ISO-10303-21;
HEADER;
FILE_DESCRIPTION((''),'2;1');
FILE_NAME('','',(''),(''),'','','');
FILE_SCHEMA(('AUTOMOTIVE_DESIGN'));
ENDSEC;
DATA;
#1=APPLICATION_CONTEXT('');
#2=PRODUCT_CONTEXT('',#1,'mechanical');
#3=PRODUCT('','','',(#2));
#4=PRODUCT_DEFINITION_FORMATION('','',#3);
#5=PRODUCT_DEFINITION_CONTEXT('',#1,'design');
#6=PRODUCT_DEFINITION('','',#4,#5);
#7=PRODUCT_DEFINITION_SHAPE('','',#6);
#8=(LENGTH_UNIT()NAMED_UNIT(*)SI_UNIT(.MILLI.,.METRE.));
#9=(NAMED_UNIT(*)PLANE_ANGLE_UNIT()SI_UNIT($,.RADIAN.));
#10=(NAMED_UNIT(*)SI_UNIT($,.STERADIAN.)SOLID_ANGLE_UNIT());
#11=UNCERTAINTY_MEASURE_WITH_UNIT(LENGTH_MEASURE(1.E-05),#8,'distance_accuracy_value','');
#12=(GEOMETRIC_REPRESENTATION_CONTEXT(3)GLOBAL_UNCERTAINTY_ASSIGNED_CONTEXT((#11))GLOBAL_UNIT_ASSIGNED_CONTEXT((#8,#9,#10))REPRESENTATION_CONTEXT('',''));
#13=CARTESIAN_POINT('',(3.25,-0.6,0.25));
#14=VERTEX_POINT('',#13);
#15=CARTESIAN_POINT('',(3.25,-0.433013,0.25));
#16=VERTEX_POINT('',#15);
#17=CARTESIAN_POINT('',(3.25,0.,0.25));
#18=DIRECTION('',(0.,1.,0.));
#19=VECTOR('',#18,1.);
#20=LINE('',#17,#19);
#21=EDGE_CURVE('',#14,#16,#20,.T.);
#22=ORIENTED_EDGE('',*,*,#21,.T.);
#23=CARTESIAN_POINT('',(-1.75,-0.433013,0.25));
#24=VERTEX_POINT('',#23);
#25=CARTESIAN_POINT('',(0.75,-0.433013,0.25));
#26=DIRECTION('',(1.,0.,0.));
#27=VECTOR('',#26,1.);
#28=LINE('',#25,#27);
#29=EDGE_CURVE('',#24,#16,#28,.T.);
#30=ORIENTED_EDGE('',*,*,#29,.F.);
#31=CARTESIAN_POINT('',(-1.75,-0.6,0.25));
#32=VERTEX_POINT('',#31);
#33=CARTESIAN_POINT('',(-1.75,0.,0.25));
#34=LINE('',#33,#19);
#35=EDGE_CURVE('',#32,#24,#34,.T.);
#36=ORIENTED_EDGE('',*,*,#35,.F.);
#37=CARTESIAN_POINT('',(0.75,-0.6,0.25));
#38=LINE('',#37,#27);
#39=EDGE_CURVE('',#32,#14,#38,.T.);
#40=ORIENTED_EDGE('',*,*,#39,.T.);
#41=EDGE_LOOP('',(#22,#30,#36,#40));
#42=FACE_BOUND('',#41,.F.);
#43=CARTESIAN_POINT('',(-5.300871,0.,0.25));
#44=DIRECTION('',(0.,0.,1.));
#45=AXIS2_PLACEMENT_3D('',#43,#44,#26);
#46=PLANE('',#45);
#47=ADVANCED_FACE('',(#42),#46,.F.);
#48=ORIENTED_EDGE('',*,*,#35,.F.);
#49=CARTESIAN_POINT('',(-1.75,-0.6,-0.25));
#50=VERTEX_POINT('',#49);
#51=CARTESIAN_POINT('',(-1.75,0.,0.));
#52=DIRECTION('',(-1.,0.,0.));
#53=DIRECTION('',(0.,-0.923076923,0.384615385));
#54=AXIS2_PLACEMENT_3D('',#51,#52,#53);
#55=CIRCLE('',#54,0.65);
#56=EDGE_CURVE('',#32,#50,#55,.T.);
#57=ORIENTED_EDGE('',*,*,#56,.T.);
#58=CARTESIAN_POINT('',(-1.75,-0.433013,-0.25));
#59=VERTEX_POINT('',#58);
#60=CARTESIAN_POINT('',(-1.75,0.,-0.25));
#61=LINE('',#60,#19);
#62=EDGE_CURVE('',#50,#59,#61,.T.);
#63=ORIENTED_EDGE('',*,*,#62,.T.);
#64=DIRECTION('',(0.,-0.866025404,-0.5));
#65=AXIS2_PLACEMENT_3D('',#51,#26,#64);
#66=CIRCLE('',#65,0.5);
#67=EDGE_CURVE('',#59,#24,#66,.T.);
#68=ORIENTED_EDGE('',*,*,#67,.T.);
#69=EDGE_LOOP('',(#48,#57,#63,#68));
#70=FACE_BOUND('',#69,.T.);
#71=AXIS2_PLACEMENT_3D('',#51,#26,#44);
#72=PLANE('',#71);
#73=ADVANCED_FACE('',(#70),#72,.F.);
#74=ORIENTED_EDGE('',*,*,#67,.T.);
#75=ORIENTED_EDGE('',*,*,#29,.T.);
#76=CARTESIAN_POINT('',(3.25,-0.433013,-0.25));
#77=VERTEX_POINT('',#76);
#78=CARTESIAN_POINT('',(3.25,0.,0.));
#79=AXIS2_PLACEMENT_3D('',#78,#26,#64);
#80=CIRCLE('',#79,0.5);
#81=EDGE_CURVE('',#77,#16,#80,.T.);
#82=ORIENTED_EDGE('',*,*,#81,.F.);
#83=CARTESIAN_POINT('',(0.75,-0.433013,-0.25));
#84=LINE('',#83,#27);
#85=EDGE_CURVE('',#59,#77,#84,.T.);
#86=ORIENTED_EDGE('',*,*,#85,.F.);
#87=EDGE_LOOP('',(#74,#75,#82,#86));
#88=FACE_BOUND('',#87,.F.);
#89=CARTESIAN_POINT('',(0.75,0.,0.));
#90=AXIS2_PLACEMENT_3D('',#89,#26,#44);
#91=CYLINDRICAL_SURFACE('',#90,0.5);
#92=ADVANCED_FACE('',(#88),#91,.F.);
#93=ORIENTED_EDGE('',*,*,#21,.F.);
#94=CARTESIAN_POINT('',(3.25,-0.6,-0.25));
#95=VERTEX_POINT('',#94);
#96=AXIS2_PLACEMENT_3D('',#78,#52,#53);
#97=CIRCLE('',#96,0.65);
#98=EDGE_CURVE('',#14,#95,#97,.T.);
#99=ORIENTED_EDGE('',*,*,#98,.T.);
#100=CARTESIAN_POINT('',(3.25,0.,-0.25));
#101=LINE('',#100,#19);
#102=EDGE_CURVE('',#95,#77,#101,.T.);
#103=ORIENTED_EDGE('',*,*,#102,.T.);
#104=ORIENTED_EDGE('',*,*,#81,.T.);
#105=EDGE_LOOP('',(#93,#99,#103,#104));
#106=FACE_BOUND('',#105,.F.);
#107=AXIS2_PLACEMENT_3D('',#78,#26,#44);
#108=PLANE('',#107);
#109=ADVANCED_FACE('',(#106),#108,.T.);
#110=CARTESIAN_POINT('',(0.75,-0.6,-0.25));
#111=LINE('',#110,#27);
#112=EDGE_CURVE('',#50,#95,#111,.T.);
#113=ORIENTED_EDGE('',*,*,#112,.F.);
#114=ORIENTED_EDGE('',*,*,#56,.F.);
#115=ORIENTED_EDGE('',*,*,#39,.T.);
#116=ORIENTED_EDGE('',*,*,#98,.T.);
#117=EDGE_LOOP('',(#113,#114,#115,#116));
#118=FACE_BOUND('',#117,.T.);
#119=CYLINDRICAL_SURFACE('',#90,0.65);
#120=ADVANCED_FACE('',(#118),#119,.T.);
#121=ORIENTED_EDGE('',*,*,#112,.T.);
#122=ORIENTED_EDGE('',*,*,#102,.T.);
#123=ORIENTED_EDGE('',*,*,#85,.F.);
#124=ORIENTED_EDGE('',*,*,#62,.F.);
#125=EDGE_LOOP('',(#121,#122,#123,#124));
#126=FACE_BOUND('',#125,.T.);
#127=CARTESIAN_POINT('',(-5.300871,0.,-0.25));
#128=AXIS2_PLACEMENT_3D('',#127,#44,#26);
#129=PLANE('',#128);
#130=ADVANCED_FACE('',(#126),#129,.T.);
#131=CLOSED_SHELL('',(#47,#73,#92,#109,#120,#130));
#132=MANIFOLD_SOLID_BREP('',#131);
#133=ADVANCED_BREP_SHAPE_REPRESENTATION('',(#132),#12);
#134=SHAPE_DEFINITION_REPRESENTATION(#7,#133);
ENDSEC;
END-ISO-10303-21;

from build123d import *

# Parameters (mm, degrees)
F0_W     = 5
F0_H     = 0.15
F2_W     = 10.601742
F2_H     = 0.5
F3_DEPTH = 25


with BuildPart() as f1:
    # F0 (on Front) → F1 (revolve)
    with BuildSketch(Plane.XZ):
        with Locations((0.75, 0.575)):
            Rectangle(F0_W, F0_H)
    revolve(axis=Axis((0.238889, 0, 0), (1, 0, 0)))

    # F2 (on Front) → F3 (cut)
    with BuildSketch(Plane.XZ):
        Rectangle(F2_W, F2_H)
    extrude(amount=F3_DEPTH, mode=Mode.SUBTRACT)


solid = f1.part
